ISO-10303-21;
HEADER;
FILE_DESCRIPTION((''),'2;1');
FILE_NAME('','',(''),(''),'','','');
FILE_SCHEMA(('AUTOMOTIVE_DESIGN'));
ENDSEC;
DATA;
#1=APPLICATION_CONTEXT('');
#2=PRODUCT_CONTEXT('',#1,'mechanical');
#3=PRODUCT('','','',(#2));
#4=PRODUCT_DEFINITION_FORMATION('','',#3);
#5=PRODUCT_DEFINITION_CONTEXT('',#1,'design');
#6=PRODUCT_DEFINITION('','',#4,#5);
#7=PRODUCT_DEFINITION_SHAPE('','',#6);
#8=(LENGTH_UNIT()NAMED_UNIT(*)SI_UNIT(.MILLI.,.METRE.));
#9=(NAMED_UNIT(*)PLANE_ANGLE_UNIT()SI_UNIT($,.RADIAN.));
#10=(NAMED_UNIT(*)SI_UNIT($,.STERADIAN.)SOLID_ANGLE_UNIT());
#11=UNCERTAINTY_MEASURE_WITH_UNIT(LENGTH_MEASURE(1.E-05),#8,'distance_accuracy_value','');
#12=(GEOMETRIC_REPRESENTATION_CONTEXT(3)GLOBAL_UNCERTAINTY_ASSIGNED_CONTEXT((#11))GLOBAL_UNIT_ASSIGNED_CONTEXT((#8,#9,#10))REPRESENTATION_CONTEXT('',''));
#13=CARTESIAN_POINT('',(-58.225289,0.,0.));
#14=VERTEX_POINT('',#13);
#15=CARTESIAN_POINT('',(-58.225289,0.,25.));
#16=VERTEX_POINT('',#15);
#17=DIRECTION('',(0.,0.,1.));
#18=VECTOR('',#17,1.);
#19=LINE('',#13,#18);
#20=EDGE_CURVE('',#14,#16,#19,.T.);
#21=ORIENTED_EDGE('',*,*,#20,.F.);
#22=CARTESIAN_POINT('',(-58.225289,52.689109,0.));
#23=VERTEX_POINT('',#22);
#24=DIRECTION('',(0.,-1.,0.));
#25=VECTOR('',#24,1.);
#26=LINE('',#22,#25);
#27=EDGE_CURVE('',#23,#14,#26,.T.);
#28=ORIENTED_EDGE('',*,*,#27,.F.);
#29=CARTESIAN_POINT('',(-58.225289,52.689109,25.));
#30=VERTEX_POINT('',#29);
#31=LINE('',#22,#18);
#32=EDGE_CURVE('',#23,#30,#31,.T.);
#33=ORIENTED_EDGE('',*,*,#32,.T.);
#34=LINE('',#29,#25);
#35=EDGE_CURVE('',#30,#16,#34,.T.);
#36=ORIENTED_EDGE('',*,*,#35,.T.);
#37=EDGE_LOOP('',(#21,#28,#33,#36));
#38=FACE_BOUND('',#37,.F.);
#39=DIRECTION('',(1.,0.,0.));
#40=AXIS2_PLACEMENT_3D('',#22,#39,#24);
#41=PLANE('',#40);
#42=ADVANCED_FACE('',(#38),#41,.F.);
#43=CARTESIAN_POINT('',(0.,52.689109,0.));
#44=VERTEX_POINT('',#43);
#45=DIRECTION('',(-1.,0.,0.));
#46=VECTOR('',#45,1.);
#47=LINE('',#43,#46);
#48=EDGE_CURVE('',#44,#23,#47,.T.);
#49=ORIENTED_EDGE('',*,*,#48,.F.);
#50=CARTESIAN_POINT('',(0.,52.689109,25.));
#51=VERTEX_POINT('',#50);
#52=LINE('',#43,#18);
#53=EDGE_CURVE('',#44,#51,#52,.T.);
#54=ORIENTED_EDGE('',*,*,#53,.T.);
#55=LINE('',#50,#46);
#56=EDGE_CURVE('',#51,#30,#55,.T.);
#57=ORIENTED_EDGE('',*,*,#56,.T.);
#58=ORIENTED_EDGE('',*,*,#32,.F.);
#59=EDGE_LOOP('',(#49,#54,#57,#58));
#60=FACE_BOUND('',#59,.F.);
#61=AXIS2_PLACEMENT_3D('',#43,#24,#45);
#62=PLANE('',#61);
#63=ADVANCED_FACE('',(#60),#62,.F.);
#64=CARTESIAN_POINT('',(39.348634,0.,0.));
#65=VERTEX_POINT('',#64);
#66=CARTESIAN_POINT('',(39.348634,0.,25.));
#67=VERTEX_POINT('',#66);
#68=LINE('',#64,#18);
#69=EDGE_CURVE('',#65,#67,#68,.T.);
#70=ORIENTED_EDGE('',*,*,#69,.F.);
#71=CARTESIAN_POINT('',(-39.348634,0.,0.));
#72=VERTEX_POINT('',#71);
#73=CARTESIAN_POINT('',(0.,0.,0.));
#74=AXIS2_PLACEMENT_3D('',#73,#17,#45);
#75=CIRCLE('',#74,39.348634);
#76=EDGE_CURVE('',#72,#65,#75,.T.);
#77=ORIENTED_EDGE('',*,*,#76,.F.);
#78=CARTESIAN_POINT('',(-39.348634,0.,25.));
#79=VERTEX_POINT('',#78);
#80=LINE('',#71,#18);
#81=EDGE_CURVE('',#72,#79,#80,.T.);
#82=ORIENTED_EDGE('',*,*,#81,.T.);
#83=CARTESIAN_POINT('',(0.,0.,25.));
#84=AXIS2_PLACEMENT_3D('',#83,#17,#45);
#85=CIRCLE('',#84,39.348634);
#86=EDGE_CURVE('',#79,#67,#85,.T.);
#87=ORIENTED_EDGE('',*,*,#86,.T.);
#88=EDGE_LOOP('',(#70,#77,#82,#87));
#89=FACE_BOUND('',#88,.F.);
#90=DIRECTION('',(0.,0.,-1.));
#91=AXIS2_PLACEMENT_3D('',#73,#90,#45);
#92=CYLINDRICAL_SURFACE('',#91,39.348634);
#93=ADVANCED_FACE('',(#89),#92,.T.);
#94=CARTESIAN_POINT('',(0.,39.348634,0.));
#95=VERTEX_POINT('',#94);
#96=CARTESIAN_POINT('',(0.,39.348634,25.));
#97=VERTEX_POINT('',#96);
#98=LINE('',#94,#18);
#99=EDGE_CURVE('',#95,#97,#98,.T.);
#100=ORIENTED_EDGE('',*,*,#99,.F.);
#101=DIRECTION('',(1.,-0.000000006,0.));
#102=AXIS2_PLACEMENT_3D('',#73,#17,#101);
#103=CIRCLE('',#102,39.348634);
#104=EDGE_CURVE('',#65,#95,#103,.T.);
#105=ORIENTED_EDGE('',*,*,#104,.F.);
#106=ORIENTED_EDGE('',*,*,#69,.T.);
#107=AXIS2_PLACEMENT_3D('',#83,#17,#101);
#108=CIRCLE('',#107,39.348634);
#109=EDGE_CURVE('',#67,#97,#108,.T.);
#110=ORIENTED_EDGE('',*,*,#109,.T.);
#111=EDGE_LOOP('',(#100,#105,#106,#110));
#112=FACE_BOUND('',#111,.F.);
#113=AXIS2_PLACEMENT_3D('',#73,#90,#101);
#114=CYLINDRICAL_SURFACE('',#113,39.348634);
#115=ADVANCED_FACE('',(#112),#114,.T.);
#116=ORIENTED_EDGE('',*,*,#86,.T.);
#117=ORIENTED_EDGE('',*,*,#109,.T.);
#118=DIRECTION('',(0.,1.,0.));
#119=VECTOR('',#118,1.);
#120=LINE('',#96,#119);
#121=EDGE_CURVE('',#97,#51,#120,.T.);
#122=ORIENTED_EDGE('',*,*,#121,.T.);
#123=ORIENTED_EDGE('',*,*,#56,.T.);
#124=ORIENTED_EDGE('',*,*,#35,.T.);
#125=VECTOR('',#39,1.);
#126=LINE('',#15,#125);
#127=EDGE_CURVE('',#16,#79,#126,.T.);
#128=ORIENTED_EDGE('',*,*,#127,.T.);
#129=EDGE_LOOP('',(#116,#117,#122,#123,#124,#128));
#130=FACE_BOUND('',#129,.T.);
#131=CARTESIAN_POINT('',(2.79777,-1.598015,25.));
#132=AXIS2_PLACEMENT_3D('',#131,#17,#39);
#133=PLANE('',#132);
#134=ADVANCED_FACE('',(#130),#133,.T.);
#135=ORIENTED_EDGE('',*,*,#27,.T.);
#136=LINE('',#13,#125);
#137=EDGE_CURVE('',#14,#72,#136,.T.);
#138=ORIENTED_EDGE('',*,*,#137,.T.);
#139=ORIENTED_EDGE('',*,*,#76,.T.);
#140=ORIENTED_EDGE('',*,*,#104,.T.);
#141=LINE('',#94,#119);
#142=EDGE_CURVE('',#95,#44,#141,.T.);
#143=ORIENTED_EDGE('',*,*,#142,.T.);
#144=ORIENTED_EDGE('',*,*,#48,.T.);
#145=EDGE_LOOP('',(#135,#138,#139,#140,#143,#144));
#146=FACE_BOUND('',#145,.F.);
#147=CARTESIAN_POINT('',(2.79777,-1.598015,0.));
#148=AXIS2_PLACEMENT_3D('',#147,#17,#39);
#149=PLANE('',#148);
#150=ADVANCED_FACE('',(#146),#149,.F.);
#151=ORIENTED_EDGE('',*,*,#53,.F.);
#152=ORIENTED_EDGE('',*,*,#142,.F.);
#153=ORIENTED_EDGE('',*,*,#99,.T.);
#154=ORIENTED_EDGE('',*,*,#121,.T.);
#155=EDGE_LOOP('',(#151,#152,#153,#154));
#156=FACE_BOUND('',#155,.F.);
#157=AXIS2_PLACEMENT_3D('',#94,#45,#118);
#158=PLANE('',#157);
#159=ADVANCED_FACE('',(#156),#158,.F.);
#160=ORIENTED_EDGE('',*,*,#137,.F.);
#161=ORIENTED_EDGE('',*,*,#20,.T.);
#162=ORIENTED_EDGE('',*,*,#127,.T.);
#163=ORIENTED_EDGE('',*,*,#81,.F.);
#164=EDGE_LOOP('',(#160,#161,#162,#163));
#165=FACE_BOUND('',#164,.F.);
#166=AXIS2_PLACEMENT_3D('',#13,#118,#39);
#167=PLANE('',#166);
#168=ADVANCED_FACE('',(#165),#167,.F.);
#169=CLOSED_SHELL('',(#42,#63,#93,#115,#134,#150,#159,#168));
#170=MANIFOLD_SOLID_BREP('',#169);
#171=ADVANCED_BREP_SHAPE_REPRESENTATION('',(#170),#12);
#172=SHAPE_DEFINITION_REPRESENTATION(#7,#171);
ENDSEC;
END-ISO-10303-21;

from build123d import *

# Parameters (mm, degrees)
F1_DEPTH = 25
F2_DEPTH = 25


with BuildPart() as f1:
    # F0 (on Top) → F1 (new body)
    with BuildSketch(Plane.XY):
        with BuildLine():
            ThreePointArc((-39.348634, 0), (-27.823686, 27.823686), (0, 39.348634))
            Line((0, 39.348634), (0, 52.689109))
            Line((0, 52.689109), (-58.225289, 52.689109))
            Line((-58.225289, 52.689109), (-58.225289, 0))
            Line((-58.225289, 0), (-39.348634, 0))
        make_face()
    extrude(amount=F1_DEPTH)

    # F0 (on Top) → F2 (join)
    with BuildSketch(Plane.XY):
        with BuildLine():
            ThreePointArc((-39.348634, 0), (0, -39.348634), (39.348634, 0))
            ThreePointArc((39.348634, 0), (27.823686, 27.823686), (0, 39.348634))
            Line((0, 39.348634), (0, 0))
            Line((0, 0), (-39.348634, 0))
        make_face()
        with BuildLine():
            Line((0, 0), (0, 39.348634))
            ThreePointArc((0, 39.348634), (-27.823686, 27.823686), (-39.348634, 0))
            Line((-39.348634, 0), (0, 0))
        make_face()
    extrude(amount=F2_DEPTH)


solid = f1.part
